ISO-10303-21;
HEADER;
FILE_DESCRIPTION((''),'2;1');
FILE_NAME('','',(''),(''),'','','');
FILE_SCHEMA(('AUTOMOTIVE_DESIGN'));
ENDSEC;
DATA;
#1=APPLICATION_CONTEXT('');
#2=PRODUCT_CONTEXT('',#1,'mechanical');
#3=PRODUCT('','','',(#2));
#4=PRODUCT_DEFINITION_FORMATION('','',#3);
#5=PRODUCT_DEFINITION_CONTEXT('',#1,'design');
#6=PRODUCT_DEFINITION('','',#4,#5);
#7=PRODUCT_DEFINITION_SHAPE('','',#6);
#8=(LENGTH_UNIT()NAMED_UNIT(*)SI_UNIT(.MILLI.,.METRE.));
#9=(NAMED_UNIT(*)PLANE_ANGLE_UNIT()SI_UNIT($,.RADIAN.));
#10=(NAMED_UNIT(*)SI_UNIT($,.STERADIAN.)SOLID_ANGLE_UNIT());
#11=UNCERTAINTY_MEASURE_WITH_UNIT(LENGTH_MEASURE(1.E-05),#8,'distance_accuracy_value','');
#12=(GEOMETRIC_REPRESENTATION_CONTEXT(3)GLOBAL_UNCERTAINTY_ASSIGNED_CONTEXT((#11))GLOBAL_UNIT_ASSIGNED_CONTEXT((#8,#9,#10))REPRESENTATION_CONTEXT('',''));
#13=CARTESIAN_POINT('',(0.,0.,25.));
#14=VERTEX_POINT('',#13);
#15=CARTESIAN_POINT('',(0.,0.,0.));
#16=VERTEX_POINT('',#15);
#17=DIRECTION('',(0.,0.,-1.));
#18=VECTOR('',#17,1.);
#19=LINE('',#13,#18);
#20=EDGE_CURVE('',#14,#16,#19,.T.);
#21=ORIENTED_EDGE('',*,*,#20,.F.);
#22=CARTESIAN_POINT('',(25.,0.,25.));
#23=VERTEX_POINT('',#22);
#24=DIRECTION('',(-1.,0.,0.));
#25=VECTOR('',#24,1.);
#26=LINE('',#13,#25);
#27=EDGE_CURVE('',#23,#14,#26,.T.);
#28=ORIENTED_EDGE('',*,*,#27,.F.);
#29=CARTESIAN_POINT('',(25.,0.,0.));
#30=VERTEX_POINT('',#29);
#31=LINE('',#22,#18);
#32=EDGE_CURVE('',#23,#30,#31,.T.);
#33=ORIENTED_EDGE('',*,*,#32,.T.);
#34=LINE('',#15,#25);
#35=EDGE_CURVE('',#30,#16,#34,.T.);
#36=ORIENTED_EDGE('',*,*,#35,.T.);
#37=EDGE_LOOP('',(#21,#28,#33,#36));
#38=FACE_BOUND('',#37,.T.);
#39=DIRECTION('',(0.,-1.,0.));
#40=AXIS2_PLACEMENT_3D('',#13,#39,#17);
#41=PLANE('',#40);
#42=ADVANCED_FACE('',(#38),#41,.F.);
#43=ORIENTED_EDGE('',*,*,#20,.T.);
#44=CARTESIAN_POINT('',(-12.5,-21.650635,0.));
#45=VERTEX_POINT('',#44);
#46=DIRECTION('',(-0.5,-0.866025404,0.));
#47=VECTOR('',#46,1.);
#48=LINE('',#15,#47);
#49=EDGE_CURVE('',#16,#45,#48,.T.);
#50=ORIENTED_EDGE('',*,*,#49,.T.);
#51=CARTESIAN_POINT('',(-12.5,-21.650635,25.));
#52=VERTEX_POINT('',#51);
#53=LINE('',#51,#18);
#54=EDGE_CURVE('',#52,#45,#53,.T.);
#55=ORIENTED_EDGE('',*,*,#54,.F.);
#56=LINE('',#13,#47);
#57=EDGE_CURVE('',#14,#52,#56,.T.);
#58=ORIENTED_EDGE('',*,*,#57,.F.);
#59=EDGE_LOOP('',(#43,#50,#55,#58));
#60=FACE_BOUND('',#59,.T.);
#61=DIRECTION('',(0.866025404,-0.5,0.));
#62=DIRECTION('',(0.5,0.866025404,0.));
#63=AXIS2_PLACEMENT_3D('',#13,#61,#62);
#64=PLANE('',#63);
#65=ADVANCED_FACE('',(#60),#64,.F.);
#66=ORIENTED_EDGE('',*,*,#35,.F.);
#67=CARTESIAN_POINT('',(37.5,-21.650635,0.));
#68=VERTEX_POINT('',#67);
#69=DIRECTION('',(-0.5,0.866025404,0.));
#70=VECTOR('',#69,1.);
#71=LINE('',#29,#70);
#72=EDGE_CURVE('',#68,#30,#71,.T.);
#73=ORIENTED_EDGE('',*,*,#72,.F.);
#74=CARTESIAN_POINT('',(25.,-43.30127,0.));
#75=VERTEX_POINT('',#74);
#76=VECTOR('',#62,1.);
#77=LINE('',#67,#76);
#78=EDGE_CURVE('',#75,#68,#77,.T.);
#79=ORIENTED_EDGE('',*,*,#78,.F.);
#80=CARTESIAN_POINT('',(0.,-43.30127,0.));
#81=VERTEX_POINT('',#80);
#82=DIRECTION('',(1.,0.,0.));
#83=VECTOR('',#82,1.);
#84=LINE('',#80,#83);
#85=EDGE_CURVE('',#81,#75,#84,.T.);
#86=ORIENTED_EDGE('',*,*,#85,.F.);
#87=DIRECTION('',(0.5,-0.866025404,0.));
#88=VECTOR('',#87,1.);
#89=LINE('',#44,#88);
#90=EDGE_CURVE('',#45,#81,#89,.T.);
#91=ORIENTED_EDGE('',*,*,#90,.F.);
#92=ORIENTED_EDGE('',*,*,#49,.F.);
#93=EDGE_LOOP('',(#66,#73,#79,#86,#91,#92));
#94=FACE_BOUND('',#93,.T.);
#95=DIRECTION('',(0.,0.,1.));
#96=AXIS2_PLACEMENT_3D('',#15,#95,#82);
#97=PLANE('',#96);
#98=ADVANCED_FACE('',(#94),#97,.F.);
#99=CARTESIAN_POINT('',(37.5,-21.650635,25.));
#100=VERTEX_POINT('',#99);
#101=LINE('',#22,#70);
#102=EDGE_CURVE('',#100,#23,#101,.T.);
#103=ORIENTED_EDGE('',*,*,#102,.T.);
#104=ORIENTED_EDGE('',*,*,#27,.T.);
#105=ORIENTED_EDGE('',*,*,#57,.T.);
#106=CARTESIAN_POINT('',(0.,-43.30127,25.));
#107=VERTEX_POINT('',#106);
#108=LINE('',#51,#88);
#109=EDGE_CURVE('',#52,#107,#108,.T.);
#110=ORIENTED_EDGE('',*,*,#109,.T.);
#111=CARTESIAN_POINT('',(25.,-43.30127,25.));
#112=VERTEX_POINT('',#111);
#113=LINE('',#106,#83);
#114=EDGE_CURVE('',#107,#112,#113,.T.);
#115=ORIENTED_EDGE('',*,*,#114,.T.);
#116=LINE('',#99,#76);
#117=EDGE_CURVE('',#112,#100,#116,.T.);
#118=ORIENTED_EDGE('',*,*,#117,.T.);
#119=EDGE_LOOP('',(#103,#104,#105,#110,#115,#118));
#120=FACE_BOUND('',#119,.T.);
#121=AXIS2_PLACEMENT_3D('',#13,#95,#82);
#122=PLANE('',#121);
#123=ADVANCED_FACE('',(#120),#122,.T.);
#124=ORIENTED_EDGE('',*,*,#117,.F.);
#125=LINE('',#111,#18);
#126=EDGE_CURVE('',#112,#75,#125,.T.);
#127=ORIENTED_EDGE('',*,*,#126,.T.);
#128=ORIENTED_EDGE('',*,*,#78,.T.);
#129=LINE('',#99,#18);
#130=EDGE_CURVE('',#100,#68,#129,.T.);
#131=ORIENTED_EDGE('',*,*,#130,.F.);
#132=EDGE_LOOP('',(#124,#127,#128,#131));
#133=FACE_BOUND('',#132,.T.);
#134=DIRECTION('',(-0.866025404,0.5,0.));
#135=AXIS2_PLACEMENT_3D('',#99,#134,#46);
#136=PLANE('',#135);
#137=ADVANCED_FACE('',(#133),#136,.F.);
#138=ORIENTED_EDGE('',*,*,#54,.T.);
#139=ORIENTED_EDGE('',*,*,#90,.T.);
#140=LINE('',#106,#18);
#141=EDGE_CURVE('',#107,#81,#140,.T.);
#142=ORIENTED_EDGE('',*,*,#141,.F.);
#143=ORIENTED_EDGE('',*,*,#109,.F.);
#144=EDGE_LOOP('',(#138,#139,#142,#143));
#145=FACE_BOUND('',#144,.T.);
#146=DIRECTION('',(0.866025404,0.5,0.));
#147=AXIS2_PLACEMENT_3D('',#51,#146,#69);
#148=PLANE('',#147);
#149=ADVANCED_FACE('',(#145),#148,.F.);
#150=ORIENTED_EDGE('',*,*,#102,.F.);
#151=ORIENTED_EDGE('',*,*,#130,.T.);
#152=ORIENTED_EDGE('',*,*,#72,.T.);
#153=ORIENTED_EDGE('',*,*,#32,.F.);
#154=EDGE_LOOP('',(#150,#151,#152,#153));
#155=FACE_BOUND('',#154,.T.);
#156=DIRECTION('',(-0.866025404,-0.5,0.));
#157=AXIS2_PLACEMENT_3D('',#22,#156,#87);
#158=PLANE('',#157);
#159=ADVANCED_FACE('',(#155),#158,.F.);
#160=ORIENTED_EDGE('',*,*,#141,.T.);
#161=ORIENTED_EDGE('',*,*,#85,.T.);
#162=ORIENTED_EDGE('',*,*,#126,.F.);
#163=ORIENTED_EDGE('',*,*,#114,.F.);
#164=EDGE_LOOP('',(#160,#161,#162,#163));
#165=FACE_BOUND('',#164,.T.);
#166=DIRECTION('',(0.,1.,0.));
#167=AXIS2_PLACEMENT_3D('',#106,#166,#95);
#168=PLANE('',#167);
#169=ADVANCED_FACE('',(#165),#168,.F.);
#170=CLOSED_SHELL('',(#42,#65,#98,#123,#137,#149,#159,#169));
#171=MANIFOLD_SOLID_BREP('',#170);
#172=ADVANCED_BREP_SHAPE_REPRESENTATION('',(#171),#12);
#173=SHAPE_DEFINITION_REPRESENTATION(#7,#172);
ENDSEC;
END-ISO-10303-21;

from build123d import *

# Parameters (mm, degrees)
BOSS_EXTRUDE5_DEPTH = 25


with BuildPart() as part:
    # Sketch6 → Boss-Extrude5 (new body)
    with BuildSketch(Plane.XY):
        Polygon((0, 0), (25, 0), (37.5, -21.650635095), (25, -43.301270189), (0, -43.301270189), (-12.5, -21.650635095), align=None)
    extrude(amount=BOSS_EXTRUDE5_DEPTH)


solid = part.part
